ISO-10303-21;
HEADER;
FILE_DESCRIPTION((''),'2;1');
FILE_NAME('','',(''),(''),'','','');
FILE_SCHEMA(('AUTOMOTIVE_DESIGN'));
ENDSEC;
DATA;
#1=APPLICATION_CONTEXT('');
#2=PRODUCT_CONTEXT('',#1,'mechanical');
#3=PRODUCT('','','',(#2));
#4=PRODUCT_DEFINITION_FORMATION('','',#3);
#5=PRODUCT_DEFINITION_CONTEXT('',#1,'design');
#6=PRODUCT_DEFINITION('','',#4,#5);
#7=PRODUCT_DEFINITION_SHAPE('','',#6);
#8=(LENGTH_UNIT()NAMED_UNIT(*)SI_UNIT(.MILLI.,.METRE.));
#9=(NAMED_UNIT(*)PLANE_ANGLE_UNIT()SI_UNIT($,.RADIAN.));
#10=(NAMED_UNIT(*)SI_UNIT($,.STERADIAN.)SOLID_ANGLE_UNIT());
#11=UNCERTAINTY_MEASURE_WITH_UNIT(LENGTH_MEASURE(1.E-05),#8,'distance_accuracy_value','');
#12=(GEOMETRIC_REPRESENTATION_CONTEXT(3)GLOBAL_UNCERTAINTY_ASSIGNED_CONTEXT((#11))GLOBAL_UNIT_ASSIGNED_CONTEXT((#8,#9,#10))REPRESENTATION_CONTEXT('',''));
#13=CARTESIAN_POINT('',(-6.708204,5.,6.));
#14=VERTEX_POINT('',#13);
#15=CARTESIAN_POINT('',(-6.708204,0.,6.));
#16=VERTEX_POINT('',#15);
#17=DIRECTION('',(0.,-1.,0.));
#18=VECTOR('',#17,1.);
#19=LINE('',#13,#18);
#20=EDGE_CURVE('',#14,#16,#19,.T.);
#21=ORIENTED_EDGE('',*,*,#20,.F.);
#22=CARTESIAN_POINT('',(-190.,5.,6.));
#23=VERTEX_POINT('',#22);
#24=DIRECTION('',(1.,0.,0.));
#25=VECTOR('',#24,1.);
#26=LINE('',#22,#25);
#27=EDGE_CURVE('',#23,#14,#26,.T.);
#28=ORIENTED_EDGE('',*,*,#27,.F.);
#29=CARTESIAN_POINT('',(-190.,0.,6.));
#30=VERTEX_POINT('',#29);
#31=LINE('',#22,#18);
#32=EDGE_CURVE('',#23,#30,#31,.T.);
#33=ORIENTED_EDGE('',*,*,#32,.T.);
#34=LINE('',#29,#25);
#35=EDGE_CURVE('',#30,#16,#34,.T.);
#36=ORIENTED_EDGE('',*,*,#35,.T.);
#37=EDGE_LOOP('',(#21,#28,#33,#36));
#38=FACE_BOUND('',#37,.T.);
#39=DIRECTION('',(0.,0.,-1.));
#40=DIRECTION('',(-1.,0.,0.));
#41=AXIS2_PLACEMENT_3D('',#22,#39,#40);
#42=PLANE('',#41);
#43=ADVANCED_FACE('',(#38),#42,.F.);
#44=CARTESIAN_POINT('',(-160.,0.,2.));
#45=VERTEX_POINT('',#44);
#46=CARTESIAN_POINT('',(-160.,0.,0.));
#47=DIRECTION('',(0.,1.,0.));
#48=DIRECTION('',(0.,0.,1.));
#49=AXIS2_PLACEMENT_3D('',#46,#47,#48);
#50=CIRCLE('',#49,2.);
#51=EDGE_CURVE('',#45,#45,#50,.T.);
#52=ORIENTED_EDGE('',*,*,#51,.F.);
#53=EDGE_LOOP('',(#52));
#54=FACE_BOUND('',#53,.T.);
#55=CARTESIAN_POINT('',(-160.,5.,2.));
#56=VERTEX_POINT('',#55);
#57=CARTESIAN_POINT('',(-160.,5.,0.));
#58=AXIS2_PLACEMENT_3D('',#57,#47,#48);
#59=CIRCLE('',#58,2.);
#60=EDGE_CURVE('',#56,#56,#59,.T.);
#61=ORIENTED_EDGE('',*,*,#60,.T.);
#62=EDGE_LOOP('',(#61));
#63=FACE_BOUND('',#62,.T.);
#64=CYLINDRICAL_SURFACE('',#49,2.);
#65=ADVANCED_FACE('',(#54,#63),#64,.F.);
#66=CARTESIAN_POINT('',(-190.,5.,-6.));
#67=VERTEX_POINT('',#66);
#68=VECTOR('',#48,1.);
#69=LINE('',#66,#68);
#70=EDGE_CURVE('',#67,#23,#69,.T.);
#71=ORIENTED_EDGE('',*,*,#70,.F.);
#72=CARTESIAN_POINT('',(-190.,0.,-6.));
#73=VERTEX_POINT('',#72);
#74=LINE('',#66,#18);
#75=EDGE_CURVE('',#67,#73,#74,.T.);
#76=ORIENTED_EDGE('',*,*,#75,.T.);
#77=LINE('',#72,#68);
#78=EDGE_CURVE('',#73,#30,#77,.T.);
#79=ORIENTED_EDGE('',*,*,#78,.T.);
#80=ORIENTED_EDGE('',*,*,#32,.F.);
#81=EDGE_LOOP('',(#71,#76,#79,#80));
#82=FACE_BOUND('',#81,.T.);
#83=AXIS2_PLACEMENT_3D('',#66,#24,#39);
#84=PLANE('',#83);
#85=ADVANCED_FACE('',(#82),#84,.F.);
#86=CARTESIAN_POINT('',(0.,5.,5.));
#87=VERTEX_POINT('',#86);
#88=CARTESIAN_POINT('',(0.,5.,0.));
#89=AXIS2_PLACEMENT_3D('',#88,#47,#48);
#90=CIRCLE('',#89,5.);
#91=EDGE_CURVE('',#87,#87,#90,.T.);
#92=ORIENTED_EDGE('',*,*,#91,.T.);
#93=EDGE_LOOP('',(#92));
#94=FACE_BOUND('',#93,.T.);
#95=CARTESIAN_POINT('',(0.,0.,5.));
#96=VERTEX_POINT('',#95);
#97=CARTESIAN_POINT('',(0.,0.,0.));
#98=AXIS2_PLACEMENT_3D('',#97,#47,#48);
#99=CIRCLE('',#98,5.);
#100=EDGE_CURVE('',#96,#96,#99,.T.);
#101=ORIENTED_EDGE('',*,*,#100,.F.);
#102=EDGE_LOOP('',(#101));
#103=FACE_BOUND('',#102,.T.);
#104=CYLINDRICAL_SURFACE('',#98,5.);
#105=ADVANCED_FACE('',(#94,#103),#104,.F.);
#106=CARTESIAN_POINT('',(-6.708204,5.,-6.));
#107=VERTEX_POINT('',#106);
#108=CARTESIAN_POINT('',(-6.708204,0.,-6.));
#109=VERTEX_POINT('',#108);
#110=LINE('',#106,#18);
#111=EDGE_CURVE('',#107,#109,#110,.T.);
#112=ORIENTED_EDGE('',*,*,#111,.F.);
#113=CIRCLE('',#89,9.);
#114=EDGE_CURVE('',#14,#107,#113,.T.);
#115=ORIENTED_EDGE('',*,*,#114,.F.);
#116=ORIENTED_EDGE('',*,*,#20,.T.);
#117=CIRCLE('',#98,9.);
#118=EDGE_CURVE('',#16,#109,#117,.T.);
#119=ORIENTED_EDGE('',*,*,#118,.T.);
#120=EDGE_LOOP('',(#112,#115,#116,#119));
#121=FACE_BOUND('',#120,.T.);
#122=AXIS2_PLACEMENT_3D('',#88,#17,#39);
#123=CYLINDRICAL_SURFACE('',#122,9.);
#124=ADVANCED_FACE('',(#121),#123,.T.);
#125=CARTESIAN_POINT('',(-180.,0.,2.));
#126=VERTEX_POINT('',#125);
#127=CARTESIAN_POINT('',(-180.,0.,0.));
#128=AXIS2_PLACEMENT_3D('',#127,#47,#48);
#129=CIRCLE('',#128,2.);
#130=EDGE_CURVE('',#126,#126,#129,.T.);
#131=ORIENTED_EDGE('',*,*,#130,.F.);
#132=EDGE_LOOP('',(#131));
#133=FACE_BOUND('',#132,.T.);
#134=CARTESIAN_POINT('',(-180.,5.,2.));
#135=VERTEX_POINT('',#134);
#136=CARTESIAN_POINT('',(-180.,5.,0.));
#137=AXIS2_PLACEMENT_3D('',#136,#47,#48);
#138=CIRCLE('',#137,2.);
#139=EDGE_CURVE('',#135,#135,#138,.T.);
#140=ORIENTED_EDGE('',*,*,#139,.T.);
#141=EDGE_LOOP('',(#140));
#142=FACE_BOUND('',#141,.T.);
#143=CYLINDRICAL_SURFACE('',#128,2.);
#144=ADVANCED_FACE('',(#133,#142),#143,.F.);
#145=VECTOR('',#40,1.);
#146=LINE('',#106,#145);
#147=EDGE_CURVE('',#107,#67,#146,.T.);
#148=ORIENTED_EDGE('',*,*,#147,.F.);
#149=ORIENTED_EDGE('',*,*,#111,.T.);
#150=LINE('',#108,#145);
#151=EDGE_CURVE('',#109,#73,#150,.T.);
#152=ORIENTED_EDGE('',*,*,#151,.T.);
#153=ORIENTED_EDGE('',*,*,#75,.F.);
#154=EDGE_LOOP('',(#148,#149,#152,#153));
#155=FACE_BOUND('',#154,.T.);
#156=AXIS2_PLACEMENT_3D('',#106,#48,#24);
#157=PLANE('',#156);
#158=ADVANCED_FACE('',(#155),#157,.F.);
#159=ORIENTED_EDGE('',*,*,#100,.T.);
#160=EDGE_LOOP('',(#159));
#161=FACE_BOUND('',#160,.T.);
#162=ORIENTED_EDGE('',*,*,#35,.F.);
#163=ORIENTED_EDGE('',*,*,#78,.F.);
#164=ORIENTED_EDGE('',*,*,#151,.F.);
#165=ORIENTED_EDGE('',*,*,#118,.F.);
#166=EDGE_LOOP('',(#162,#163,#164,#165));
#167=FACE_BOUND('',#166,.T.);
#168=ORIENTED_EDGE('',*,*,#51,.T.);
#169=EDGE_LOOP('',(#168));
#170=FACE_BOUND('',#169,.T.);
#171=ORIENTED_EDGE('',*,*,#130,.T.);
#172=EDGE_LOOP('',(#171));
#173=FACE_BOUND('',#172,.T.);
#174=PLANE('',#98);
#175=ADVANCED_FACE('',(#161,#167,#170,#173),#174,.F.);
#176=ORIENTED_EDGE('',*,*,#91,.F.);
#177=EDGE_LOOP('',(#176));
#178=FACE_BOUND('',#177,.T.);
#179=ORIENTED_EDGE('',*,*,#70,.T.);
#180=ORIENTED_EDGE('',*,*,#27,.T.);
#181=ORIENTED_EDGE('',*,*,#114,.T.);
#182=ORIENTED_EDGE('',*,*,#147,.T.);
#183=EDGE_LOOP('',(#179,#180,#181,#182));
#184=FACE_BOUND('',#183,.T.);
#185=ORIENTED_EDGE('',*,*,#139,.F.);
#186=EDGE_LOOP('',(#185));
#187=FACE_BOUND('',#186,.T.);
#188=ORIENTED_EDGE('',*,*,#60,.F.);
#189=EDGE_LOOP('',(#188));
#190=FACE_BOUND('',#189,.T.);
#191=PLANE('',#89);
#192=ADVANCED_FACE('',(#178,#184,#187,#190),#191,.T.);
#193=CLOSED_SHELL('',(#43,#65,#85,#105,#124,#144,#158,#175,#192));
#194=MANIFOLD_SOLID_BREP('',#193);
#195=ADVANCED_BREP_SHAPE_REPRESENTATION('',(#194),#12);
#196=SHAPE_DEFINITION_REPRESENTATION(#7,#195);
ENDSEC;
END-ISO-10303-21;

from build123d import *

# Parameters (mm, degrees)
BOSS_EXTRUDE1_DEPTH = 5
SKETCH2_R           = 5
SKETCH2_R_2         = 2
CUT_EXTRUDE1_DEPTH  = 191.278742901


with BuildPart() as part:
    # Sketch1 → Boss-Extrude1 (new body)
    with BuildSketch(Plane(origin=(0, 0, 0), x_dir=(1, 0, 0), z_dir=(0, 1, 0))):
        with BuildLine():
            Line((-6.708203932, 6), (-190, 6))
            Line((-190, 6), (-190, -6))
            Line((-190, -6), (-6.708203932, -6))
            ThreePointArc((-6.708203932, -6), (9, 0), (-6.708203932, 6))
        make_face()
    extrude(amount=BOSS_EXTRUDE1_DEPTH)

    # Sketch2 → Cut-Extrude1 (cut, through all)
    with BuildSketch(Plane(origin=(0, 5, 0), x_dir=(1, 0, 0), z_dir=(0, 1, 0))):
        with Locations(Location((0, 0, 0), (0, 0, 270))):
            Circle(SKETCH2_R)
        with Locations(Location((-180, 0, 0), (0, 0, 270))):
            Circle(SKETCH2_R_2)
        with Locations(Location((-160, 0, 0), (0, 0, 270))):
            Circle(SKETCH2_R_2)
    extrude(amount=-CUT_EXTRUDE1_DEPTH, mode=Mode.SUBTRACT)


solid = part.part
